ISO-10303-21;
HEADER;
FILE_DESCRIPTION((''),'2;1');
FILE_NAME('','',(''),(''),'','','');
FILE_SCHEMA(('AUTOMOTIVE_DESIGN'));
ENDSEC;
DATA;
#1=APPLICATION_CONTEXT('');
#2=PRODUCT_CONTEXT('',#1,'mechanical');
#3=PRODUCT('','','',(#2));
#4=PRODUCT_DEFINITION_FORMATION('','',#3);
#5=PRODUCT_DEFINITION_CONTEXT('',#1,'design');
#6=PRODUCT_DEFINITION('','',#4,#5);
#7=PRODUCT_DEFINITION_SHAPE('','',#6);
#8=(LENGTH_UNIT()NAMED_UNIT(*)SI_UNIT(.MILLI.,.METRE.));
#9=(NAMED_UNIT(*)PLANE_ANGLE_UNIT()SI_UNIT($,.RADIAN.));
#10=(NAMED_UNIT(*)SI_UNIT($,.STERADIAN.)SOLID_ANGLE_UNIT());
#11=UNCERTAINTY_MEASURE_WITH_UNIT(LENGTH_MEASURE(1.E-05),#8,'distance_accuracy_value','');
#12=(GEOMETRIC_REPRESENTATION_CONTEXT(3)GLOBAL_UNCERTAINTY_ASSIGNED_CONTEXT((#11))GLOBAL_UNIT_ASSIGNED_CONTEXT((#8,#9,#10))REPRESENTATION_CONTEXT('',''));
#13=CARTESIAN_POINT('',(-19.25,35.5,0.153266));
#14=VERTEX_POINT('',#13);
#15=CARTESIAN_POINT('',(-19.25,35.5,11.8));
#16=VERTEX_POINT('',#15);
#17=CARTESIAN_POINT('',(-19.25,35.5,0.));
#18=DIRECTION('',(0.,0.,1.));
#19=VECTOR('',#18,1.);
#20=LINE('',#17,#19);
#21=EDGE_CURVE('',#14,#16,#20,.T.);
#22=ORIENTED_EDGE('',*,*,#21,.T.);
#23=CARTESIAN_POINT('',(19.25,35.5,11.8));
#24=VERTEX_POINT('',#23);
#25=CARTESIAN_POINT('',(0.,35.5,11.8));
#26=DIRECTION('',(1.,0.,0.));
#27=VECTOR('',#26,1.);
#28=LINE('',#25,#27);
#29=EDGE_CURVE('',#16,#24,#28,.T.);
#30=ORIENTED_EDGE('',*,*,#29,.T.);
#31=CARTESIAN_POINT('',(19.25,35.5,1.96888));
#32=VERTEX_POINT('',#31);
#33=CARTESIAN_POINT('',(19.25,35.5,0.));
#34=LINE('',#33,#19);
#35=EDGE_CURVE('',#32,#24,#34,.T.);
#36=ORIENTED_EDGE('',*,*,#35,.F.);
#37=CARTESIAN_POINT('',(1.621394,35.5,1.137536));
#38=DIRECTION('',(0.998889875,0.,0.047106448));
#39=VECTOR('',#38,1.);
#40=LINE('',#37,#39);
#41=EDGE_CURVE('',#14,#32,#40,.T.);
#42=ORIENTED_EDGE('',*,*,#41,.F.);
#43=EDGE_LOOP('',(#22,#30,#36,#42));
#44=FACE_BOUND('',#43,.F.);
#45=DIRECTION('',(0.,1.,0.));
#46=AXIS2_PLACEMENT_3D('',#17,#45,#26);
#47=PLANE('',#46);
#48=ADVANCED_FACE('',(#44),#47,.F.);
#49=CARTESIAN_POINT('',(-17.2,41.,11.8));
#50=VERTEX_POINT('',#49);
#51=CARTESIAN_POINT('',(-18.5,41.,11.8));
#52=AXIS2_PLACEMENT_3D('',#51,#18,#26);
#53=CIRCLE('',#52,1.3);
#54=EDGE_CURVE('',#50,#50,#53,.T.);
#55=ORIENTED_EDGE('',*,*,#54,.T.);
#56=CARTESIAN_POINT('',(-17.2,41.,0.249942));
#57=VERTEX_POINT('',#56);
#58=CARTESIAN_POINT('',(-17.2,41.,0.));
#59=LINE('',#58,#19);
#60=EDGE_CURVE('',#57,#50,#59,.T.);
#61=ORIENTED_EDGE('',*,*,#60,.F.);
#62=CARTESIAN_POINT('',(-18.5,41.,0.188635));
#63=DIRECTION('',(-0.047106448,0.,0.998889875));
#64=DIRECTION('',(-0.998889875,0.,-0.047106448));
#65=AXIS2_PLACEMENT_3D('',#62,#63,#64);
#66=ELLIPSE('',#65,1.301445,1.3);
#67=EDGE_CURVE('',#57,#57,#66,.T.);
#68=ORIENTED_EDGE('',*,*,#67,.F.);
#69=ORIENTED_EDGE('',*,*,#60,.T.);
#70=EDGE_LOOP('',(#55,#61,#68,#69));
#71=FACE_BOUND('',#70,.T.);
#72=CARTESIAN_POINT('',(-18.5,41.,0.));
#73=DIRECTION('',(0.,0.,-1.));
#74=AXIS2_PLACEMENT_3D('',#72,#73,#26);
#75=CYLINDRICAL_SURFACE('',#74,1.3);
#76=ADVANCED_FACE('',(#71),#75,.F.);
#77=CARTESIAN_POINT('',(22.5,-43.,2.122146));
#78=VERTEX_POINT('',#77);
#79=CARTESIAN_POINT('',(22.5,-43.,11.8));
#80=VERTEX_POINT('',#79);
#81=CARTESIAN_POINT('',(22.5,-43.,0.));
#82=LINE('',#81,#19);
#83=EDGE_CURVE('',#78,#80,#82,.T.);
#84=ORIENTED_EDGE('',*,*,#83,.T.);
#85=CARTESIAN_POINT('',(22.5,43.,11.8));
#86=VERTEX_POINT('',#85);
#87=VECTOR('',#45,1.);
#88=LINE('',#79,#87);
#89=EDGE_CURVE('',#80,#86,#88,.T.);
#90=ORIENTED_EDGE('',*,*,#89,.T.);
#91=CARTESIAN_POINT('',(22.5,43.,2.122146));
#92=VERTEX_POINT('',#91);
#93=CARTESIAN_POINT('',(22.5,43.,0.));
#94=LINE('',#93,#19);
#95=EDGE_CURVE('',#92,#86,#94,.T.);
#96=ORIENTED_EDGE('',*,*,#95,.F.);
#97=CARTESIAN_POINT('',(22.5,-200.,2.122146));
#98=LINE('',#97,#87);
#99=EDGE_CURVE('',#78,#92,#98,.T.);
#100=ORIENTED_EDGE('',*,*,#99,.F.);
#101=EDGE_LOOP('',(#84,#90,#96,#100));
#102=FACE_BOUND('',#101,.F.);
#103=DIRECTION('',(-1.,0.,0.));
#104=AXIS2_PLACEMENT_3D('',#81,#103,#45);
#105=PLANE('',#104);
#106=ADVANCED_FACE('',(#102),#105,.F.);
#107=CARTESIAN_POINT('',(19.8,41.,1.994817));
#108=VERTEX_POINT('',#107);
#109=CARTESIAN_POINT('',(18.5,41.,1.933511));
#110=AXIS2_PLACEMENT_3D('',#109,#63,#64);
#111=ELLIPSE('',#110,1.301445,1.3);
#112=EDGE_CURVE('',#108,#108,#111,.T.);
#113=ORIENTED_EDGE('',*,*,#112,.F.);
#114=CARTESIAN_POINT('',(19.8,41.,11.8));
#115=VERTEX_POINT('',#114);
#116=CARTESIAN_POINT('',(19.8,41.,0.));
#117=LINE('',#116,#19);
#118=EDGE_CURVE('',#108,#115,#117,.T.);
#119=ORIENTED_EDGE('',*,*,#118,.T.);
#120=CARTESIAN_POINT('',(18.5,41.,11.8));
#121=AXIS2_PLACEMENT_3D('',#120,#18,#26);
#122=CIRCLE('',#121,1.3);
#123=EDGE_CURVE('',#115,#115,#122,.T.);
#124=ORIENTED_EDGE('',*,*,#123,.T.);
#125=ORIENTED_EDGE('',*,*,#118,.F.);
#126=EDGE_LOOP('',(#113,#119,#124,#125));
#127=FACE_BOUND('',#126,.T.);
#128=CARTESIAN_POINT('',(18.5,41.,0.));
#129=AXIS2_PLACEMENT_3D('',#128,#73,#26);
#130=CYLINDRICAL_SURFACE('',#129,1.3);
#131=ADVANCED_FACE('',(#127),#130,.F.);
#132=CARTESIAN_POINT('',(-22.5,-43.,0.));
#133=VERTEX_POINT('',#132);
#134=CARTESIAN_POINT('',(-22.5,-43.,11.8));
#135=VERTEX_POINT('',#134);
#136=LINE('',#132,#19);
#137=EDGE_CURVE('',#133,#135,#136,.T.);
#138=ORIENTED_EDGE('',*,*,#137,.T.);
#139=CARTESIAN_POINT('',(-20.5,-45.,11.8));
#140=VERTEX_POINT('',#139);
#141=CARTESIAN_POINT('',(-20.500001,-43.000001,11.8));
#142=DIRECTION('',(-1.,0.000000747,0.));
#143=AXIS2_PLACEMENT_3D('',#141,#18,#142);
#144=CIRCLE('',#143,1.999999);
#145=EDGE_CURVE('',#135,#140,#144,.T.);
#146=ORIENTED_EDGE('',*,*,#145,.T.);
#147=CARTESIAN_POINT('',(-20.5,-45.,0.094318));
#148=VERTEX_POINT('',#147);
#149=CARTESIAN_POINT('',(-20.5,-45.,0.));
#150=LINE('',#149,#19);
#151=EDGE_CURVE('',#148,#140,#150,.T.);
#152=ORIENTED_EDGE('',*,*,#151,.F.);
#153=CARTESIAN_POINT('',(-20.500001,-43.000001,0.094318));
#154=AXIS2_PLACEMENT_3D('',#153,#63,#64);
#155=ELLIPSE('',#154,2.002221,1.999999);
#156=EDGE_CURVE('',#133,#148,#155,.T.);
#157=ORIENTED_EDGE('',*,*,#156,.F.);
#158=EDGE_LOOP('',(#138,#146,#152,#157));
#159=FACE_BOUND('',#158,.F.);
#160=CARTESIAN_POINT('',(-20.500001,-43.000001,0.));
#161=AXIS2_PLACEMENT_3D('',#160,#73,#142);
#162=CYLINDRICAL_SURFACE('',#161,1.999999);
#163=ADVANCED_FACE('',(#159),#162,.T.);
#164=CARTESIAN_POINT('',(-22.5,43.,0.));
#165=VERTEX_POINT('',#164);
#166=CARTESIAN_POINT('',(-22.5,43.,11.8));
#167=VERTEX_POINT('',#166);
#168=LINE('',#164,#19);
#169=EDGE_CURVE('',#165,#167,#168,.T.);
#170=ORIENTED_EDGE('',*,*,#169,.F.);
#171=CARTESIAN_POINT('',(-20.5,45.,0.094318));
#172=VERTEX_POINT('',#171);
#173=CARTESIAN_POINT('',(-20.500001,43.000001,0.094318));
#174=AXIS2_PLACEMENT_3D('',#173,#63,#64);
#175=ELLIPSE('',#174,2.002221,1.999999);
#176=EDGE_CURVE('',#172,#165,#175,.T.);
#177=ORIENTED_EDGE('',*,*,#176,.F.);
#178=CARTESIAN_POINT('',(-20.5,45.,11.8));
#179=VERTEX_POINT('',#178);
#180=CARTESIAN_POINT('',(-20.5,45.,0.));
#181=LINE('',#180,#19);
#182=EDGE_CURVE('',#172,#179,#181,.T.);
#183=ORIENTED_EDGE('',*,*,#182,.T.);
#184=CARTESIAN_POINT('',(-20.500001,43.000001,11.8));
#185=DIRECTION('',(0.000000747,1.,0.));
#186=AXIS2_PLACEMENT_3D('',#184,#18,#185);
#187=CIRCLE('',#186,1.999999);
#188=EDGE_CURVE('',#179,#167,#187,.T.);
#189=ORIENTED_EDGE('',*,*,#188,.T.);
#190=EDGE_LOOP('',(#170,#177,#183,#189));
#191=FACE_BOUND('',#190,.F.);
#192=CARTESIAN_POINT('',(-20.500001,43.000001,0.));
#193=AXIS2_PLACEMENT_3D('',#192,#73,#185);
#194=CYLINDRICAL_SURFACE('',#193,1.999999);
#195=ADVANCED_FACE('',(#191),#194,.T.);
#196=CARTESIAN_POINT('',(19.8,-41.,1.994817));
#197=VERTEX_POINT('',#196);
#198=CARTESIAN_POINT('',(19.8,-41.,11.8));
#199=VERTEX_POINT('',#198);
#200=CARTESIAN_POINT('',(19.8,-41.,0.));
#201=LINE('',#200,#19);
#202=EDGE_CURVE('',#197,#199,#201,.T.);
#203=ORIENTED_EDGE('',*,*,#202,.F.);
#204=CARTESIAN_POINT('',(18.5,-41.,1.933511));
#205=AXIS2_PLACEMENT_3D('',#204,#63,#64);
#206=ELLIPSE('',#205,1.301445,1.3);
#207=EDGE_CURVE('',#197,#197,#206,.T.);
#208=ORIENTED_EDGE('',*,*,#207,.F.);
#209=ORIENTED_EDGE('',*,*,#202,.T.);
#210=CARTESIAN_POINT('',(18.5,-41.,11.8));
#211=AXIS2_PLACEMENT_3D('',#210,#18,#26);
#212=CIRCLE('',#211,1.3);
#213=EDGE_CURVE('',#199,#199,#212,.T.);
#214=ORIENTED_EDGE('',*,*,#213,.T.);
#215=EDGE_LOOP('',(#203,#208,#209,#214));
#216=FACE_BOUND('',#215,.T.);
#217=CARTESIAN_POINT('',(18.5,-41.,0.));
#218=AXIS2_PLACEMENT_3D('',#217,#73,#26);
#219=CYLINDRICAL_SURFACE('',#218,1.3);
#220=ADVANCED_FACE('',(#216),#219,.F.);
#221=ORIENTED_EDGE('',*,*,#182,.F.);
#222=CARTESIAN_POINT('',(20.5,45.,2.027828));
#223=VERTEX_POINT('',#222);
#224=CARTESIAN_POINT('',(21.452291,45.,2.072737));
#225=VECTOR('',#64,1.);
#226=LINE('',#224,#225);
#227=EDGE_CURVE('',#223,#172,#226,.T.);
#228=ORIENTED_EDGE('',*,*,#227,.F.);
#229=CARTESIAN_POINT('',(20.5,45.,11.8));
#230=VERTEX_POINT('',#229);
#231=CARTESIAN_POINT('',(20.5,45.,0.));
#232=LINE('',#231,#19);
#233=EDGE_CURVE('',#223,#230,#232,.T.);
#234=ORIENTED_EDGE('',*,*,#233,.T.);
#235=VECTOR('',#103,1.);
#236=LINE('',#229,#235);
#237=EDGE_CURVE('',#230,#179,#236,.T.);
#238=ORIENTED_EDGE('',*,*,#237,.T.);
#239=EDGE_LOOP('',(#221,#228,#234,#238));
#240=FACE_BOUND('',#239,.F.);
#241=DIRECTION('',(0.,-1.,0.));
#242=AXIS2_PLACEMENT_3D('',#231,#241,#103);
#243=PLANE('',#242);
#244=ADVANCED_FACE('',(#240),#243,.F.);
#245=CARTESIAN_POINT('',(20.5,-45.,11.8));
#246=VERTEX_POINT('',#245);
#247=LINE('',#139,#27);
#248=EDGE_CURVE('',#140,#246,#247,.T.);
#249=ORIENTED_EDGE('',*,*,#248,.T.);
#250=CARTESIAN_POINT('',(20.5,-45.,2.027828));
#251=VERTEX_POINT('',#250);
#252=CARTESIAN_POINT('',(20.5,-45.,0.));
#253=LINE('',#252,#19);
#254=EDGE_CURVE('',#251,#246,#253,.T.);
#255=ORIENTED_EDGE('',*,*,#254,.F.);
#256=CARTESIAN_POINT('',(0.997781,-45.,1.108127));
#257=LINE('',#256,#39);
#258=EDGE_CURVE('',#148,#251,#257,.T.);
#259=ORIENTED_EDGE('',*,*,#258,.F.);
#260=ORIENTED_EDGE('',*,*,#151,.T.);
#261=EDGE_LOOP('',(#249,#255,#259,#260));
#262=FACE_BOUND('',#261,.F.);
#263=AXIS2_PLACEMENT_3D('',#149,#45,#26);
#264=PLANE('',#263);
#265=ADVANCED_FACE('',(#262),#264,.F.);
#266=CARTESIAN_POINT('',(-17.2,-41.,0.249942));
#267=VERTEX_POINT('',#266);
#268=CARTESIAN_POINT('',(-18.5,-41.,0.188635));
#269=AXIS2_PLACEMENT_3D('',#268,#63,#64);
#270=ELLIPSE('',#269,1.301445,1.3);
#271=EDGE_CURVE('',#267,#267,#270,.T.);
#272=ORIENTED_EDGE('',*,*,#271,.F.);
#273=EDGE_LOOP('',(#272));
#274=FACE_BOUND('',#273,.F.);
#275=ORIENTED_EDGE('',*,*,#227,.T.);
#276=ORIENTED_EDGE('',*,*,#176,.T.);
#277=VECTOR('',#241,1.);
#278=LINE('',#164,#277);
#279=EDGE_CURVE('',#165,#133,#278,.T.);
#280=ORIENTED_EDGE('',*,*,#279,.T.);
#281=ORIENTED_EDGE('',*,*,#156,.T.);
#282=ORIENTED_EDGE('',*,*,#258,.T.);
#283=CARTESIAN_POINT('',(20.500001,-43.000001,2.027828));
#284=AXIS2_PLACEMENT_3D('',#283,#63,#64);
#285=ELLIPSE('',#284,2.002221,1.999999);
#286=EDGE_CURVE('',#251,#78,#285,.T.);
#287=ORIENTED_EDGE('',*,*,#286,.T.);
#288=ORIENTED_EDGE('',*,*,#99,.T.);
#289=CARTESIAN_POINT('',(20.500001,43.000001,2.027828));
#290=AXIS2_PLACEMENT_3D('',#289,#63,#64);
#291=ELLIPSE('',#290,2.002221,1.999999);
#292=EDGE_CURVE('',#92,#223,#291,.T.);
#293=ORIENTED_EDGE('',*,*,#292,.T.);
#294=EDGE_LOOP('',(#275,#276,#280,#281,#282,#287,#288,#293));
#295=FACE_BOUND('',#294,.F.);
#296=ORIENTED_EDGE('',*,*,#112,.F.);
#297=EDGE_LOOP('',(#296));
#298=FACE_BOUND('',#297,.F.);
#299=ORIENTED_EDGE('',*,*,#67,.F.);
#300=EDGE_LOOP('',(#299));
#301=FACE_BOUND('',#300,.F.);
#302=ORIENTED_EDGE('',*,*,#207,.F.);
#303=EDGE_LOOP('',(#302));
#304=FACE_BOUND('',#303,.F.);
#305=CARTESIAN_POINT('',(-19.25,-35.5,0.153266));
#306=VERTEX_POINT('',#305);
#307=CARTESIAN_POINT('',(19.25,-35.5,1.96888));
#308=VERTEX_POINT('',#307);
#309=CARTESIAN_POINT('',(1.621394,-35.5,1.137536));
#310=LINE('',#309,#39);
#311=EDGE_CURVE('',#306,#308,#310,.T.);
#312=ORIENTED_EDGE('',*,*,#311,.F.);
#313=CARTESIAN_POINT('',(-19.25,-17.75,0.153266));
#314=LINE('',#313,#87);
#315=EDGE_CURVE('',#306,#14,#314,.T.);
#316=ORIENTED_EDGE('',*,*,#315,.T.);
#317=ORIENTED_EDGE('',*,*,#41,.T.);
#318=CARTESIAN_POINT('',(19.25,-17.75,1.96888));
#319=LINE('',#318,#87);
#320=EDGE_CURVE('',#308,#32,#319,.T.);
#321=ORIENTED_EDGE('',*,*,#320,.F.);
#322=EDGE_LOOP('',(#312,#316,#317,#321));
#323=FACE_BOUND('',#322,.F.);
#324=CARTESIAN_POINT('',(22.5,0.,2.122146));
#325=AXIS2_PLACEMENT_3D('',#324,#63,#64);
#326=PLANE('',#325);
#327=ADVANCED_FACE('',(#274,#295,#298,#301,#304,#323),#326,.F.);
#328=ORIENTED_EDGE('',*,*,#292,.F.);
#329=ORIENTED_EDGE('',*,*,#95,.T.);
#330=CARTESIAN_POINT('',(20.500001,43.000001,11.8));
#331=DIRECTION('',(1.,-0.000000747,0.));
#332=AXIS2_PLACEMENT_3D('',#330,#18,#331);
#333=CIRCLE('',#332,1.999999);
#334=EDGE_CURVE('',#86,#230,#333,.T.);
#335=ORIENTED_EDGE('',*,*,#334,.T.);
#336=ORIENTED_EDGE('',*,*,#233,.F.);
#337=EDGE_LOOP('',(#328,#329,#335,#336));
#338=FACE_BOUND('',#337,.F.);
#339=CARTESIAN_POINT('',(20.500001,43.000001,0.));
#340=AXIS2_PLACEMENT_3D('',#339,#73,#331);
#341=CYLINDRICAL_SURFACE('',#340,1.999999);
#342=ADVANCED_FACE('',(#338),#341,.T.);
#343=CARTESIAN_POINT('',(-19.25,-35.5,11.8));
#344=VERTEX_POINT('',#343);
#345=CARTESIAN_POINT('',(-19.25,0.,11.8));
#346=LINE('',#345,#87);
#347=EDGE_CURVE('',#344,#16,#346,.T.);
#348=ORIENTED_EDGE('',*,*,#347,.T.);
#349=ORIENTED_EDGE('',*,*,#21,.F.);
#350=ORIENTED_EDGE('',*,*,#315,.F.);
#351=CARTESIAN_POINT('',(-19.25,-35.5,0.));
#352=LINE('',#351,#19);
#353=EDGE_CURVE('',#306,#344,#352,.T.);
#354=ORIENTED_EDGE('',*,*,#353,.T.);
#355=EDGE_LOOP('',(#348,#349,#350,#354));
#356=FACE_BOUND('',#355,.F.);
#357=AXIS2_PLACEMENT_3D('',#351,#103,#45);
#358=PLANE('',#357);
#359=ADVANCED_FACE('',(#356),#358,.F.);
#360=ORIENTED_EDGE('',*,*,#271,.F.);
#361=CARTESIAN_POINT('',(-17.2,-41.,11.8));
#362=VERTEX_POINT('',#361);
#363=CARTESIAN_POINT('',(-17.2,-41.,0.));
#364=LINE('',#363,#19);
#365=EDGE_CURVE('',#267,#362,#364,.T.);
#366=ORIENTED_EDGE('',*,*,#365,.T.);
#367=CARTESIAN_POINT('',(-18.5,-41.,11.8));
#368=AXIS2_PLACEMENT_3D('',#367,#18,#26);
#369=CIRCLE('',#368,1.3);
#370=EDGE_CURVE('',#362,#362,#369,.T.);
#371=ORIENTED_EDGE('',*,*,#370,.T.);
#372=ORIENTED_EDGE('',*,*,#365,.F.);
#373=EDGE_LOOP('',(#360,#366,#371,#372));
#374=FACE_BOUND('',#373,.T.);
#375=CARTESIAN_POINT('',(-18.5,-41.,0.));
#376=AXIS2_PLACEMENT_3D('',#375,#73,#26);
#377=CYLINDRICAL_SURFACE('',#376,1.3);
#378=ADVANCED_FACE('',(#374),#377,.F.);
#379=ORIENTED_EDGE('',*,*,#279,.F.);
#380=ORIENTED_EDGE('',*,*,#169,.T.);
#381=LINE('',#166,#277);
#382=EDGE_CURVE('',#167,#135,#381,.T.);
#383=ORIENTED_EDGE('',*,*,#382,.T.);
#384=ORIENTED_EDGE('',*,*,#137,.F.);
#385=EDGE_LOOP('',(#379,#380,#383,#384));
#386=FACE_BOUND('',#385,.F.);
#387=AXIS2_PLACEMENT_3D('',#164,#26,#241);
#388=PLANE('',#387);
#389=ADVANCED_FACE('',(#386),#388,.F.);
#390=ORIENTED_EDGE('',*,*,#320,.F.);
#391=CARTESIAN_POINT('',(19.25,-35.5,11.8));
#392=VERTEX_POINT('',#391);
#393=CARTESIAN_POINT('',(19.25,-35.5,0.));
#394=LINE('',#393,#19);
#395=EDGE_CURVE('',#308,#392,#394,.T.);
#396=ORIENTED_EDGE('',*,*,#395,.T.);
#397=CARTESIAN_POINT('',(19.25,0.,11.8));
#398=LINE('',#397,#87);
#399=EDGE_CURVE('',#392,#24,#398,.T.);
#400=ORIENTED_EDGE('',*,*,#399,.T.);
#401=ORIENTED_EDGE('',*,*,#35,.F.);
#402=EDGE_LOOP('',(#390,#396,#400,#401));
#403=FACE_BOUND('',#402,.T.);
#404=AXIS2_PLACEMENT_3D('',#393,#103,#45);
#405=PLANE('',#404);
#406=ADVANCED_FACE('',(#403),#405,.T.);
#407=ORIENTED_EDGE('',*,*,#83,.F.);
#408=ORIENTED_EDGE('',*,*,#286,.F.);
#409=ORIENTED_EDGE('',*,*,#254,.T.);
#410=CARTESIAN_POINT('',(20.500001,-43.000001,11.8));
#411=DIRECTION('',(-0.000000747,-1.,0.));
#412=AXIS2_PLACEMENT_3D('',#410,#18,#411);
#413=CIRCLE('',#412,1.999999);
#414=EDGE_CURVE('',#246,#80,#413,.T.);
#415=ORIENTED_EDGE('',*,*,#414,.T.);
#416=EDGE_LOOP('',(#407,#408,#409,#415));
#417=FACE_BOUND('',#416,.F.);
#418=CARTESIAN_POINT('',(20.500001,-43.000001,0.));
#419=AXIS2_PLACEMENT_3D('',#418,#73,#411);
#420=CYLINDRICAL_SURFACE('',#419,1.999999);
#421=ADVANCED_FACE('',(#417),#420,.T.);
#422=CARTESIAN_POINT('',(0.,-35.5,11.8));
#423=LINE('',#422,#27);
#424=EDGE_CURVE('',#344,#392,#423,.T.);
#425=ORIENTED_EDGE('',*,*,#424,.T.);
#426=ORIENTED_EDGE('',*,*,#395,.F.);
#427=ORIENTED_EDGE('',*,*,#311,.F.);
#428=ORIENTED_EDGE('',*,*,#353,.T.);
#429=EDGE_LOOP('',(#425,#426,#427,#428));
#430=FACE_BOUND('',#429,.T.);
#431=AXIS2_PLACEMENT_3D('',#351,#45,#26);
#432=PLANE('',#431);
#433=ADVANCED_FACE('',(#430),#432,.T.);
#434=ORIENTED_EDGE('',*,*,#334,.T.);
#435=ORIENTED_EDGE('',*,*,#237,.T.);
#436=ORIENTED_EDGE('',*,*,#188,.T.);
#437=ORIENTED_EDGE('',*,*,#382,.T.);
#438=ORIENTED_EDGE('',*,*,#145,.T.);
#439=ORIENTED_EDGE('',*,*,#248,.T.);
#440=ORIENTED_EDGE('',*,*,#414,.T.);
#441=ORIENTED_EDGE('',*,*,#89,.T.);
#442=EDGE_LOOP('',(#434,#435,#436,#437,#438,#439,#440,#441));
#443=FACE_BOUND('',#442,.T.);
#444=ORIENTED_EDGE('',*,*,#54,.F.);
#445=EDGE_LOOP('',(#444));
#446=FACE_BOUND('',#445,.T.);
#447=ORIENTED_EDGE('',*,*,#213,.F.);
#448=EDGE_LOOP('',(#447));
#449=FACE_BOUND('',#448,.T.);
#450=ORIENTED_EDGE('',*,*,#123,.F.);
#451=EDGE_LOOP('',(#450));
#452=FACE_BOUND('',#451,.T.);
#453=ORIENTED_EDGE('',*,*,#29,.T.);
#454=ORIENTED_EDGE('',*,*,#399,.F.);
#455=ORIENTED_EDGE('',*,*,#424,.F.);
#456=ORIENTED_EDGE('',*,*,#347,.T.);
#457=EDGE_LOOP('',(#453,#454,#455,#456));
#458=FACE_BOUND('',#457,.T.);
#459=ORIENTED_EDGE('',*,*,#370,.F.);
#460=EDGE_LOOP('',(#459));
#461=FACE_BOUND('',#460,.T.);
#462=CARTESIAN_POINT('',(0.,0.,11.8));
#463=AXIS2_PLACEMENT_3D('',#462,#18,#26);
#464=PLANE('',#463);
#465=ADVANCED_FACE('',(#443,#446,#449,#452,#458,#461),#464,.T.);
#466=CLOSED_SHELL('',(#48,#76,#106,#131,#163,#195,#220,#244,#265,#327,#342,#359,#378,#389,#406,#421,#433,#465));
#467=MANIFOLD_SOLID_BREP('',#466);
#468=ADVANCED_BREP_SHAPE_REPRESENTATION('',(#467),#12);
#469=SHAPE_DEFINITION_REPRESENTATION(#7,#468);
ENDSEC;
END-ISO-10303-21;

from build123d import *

# Parameters (mm, degrees)
F0_R     = 1.3
F0_W     = 38.5
F0_H     = 71
F1_DEPTH = 11.8
F3_DEPTH = 200


with BuildPart() as f1:
    # F0 (on Top) → F1 (new body)
    with BuildSketch(Plane.XY):
        with BuildLine():
            Line((20.5, 45), (-20.5, 45))
            ThreePointArc((-20.5, 45), (-21.914214, 44.414214), (-22.5, 43))
            Line((-22.5, 43), (-22.5, -43))
            ThreePointArc((-22.5, -43), (-21.914214, -44.414214), (-20.5, -45))
            Line((-20.5, -45), (20.5, -45))
            ThreePointArc((20.5, -45), (21.914214, -44.414214), (22.5, -43))
            Line((22.5, -43), (22.5, 43))
            ThreePointArc((22.5, 43), (21.914214, 44.414214), (20.5, 45))
        make_face()
        with Locations((-18.5, -41)):
            Circle(F0_R, mode=Mode.SUBTRACT)
        with Locations((18.5, -41)):
            Circle(F0_R, mode=Mode.SUBTRACT)
        with Locations((-18.5, 41)):
            Circle(F0_R, mode=Mode.SUBTRACT)
        Rectangle(F0_W, F0_H, mode=Mode.SUBTRACT)
        with Locations((18.5, 41)):
            Circle(F0_R, mode=Mode.SUBTRACT)
    extrude(amount=F1_DEPTH)

    # F2 (on Front) → F3 (cut, symmetric)
    with BuildSketch(Plane.XZ):
        Polygon((22.5, 2.122146), (-22.5, 0), (22.5, 0), align=None)
    extrude(amount=F3_DEPTH, both=True, mode=Mode.SUBTRACT)


solid = f1.part
